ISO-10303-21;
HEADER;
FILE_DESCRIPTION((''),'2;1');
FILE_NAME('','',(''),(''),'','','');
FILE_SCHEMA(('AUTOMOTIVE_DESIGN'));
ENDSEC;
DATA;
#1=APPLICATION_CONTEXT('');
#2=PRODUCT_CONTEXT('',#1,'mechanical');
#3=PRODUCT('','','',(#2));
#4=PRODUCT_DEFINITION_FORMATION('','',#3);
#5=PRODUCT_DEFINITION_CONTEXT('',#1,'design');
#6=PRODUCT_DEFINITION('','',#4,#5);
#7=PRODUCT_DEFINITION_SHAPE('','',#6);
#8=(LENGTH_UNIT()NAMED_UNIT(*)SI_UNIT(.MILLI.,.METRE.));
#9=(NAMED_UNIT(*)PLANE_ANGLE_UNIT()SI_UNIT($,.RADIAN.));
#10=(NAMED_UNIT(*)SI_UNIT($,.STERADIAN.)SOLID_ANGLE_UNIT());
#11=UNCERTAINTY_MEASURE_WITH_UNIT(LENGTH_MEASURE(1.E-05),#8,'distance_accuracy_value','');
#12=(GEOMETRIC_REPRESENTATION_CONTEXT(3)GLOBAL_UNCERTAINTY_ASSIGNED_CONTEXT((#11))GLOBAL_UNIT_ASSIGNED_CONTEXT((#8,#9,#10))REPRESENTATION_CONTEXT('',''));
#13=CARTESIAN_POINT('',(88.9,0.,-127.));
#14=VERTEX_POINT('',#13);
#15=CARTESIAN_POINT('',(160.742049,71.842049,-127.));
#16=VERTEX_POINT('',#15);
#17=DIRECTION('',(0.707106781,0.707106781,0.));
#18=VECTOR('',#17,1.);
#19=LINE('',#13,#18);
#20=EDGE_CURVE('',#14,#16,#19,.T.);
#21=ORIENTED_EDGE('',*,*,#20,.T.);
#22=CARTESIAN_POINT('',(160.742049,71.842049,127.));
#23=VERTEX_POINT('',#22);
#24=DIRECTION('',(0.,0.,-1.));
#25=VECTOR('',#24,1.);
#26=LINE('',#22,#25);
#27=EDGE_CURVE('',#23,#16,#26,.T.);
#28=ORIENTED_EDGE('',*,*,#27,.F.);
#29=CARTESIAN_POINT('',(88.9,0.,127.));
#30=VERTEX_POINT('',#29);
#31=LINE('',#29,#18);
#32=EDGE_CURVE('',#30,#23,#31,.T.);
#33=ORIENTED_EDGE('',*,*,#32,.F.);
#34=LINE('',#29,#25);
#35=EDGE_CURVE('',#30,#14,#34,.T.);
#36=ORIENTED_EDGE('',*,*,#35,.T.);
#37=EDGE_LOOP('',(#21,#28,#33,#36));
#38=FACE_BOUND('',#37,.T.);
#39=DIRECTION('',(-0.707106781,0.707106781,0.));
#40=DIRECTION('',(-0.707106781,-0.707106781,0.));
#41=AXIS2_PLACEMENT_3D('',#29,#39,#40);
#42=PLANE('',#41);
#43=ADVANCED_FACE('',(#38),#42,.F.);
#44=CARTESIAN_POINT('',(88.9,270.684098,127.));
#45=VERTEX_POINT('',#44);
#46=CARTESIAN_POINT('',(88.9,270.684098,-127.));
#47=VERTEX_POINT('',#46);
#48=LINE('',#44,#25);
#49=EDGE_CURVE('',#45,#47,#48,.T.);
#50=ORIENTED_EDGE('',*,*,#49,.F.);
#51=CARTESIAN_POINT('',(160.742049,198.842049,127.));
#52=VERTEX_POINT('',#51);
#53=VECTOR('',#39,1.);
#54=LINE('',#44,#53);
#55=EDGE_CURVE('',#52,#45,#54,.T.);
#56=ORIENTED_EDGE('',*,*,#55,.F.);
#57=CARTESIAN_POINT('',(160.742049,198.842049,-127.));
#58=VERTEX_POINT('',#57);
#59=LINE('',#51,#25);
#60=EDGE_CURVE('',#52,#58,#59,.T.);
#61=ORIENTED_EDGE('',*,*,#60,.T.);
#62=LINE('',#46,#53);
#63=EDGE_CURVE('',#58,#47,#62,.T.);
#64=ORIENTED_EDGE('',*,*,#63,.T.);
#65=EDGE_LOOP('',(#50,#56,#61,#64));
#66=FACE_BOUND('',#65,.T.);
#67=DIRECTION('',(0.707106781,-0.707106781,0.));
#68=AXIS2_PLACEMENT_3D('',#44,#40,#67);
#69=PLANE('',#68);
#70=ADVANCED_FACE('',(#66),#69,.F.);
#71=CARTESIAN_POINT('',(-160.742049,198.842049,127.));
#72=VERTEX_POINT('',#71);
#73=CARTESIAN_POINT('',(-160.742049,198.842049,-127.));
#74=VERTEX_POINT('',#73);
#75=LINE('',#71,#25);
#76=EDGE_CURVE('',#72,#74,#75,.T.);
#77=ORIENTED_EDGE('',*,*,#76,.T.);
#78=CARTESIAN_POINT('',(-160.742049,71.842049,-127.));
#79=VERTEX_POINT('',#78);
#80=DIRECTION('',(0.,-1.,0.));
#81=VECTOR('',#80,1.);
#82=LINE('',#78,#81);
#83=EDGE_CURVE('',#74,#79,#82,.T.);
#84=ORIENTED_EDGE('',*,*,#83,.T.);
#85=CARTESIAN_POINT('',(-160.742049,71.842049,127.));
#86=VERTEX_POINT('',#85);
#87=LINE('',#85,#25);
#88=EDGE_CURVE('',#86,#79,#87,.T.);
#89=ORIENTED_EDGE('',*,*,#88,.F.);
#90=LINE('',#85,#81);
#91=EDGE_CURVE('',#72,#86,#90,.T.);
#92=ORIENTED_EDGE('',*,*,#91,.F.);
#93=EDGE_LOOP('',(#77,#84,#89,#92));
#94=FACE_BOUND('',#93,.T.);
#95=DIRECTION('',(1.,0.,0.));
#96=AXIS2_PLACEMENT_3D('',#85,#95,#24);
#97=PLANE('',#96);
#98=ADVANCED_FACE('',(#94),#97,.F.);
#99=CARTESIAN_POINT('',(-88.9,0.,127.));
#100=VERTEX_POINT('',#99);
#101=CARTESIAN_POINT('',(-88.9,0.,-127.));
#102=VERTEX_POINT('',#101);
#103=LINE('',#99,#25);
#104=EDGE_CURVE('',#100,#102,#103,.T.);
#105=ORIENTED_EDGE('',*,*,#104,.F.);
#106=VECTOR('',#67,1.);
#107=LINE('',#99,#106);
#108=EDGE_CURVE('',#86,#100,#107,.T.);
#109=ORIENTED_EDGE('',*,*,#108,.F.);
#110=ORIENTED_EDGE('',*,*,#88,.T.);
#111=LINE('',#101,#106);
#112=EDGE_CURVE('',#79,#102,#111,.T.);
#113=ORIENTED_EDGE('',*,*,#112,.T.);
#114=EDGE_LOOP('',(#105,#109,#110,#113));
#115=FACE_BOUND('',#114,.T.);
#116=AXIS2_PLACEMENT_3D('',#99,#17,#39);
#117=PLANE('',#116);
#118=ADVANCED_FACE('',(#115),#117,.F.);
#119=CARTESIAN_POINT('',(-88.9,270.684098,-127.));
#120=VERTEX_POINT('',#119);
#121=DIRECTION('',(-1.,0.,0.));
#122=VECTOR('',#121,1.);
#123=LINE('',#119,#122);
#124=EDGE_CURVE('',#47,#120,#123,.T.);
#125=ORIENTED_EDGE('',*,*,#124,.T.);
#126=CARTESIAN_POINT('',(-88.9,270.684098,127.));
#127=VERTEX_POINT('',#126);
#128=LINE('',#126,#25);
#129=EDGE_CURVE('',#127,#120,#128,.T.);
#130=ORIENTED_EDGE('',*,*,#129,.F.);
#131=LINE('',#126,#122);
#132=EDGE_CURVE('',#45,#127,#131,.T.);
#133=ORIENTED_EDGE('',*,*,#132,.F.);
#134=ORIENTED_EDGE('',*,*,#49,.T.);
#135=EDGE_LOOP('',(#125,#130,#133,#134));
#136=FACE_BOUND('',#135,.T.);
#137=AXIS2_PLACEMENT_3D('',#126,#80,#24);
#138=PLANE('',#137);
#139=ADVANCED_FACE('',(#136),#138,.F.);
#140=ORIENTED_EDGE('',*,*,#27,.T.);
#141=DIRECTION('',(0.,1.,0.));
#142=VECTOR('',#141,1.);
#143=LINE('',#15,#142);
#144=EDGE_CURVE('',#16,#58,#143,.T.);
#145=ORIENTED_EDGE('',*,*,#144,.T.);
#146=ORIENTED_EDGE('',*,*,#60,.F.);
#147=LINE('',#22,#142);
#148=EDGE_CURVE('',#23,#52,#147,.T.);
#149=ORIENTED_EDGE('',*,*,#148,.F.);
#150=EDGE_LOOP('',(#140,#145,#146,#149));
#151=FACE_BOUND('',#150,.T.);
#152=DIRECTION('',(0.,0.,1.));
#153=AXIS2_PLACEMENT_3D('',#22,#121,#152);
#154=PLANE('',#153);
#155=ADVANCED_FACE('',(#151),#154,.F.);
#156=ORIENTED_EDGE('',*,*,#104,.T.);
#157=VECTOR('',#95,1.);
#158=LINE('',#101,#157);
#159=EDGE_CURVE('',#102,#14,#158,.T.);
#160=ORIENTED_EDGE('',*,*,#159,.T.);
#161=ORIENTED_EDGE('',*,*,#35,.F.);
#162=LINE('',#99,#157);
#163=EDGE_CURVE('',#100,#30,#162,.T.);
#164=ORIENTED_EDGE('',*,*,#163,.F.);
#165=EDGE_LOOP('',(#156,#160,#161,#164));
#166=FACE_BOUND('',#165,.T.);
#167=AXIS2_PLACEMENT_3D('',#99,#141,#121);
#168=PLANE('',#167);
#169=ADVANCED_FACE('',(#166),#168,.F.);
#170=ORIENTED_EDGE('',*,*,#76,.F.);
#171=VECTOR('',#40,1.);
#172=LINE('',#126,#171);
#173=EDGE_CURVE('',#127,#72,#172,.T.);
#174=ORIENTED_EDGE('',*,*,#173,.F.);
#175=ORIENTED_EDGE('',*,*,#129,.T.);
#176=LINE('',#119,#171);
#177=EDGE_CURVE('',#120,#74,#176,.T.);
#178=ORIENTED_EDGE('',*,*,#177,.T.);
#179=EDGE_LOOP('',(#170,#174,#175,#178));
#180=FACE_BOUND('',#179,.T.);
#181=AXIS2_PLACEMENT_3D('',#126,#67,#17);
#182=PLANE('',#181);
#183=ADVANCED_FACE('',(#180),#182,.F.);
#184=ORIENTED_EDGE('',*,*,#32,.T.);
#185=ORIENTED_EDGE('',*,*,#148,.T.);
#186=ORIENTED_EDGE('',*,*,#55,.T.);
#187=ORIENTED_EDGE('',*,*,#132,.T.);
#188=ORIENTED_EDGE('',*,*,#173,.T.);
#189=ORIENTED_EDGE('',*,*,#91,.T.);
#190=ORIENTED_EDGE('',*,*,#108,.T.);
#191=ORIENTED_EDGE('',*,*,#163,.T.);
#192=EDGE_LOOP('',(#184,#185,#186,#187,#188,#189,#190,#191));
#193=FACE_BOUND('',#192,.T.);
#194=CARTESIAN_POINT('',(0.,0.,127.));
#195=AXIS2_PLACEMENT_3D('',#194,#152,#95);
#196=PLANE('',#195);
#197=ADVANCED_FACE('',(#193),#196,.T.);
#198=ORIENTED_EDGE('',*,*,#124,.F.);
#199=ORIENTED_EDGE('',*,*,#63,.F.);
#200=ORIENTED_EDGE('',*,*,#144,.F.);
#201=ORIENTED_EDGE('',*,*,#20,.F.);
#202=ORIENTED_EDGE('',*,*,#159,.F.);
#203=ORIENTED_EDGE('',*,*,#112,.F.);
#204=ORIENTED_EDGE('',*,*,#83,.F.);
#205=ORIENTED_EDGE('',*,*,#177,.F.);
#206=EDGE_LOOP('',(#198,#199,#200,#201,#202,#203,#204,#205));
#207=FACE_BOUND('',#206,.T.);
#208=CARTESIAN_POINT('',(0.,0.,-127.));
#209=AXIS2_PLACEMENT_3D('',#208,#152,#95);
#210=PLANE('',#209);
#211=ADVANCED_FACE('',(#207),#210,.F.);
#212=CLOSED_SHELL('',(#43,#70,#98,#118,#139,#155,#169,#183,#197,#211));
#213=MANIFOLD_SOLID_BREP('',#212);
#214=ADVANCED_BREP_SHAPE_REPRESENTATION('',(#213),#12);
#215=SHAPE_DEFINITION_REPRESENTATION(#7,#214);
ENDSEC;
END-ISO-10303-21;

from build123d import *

# Parameters (mm, degrees)
BOSS_EXTRUDE1_DEPTH = 127


with BuildPart() as part:
    # Sketch1 → Boss-Extrude1 (new, symmetric)
    with BuildSketch(Plane.XY):
        Polygon((-88.9, 0), (88.9, 0), (160.742048969, 71.842048969), (160.742048969, 198.842048969), (88.9, 270.684097937), (-88.9, 270.684097937), (-160.742048969, 198.842048969), (-160.742048969, 71.842048969), align=None)
    extrude(amount=BOSS_EXTRUDE1_DEPTH, both=True)


solid = part.part
